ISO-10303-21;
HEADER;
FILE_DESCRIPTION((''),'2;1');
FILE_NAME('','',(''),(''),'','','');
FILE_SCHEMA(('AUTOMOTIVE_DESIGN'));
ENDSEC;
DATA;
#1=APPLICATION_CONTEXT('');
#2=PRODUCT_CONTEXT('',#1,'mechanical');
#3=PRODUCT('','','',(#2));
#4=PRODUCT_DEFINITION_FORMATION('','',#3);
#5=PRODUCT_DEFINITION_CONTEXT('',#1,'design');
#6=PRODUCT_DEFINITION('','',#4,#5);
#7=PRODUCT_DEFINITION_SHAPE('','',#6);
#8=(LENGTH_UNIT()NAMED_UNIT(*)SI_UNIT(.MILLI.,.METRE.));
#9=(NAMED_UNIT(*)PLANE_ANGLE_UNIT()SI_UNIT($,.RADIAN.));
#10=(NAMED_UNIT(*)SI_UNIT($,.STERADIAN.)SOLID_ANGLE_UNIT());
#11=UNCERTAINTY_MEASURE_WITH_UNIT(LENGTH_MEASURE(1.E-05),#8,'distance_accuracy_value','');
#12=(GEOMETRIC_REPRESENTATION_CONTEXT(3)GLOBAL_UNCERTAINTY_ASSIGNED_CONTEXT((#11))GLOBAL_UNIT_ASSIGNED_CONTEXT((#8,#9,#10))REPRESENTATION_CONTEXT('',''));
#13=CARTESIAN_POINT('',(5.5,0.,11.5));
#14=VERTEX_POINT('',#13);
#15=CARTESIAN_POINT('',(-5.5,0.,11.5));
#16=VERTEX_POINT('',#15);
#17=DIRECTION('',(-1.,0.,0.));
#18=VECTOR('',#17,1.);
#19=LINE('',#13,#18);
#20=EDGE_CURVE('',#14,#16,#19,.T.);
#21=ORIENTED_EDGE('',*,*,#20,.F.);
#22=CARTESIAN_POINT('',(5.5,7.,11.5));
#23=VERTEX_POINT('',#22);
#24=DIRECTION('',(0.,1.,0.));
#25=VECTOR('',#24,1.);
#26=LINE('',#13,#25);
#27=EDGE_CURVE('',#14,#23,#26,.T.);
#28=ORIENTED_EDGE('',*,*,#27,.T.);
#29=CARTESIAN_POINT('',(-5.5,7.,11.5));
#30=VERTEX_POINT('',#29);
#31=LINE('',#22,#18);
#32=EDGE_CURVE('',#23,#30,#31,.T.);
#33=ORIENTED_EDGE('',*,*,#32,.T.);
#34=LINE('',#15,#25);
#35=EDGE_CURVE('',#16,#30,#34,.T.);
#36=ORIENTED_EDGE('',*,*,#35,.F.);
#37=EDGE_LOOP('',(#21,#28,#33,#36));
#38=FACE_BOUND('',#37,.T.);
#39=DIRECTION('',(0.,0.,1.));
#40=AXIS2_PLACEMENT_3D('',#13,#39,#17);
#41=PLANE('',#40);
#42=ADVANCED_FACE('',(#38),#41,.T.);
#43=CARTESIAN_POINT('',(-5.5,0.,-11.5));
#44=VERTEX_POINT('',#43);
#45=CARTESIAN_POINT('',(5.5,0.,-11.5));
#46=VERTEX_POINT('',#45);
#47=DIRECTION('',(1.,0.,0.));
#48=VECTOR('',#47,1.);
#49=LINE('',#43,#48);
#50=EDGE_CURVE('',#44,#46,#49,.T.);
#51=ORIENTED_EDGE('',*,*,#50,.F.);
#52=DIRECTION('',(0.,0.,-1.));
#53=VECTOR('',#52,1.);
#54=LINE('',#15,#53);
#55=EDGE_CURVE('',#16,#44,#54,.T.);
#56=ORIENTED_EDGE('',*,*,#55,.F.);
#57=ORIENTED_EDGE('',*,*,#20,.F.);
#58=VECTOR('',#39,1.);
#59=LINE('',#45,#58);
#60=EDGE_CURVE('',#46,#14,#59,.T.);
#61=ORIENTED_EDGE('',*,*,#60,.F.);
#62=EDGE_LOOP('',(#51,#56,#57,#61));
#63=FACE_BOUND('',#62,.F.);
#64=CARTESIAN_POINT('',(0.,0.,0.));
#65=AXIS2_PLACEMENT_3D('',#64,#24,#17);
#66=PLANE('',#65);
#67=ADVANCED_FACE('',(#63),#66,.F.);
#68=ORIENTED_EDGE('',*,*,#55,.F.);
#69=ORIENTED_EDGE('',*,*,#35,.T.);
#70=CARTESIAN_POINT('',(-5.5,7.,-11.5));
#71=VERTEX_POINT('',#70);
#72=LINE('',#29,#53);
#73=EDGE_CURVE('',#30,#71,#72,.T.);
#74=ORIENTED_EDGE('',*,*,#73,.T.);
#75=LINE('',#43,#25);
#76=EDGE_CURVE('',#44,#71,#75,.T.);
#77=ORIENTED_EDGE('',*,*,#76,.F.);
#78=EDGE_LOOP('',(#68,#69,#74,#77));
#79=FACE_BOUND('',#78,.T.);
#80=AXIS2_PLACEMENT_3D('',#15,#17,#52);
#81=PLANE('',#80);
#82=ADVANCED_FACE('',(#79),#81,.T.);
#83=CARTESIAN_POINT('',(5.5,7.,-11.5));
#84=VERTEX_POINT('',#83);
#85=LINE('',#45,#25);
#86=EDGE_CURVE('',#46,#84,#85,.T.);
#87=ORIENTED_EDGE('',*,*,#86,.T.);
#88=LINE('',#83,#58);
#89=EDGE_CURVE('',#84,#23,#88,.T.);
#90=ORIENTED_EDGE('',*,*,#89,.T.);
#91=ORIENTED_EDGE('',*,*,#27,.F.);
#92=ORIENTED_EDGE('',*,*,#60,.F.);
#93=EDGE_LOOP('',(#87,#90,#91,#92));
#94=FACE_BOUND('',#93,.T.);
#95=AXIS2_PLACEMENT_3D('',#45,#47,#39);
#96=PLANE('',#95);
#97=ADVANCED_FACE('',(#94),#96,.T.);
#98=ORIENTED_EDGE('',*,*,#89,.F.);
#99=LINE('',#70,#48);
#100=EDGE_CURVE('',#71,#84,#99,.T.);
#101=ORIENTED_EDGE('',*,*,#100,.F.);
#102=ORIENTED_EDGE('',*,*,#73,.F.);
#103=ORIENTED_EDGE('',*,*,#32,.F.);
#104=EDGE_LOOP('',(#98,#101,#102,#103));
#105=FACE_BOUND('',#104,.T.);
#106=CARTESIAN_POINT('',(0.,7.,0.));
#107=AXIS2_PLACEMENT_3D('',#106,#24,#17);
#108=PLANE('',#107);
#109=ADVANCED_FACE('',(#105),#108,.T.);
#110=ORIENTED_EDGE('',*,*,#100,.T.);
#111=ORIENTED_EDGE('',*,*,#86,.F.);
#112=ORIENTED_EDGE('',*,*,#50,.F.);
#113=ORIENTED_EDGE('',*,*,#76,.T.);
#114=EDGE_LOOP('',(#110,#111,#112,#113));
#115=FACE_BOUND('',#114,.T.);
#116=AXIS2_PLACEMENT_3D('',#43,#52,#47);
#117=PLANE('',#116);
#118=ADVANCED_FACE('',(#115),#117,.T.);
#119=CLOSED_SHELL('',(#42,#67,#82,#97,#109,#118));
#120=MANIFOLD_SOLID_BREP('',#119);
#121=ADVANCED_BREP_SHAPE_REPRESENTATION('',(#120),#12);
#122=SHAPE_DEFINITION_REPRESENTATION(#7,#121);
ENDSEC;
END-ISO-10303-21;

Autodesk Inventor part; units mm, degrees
ref_plane "YZ Plane" through (0, 0, 0) normal (1, 0, 0) x (0, 1, 0)
ref_plane "XZ Plane" through (0, 0, 0) normal (0, 1, 0) x (-1, 0, 0)
ref_plane "XY Plane" through (0, 0, 0) normal (0, 0, 1) x (1, 0, 0)
sketch "スケッチ1" plane through (0, 0, 0) normal (0, 1, 0) x (-1, 0, 0)
  line L0 (-5.5, 11.5) -> (5.5, 11.5)
  line L1 (5.5, 11.5) -> (5.5, -11.5)
  line L2 (5.5, -11.5) -> (-5.5, -11.5)
  line L3 (-5.5, -11.5) -> (-5.5, 11.5)
  line L4 (-5.5, 11.5) -> (5.5, -11.5) construction
  line L5 (5.5, 11.5) -> (-5.5, -11.5) construction
  point P0 (0, 0)
  dimension "d0" = 23
  dimension "d1" = 11
extrude "押し出し1" add sketch "スケッチ1" along normal blind 7
sketch "スケッチ2" plane through (0, 7, 0) normal (0, 1, 0) x (1, 0, 0)
  point P0 (0, 0)
properties part number "Sengment"
